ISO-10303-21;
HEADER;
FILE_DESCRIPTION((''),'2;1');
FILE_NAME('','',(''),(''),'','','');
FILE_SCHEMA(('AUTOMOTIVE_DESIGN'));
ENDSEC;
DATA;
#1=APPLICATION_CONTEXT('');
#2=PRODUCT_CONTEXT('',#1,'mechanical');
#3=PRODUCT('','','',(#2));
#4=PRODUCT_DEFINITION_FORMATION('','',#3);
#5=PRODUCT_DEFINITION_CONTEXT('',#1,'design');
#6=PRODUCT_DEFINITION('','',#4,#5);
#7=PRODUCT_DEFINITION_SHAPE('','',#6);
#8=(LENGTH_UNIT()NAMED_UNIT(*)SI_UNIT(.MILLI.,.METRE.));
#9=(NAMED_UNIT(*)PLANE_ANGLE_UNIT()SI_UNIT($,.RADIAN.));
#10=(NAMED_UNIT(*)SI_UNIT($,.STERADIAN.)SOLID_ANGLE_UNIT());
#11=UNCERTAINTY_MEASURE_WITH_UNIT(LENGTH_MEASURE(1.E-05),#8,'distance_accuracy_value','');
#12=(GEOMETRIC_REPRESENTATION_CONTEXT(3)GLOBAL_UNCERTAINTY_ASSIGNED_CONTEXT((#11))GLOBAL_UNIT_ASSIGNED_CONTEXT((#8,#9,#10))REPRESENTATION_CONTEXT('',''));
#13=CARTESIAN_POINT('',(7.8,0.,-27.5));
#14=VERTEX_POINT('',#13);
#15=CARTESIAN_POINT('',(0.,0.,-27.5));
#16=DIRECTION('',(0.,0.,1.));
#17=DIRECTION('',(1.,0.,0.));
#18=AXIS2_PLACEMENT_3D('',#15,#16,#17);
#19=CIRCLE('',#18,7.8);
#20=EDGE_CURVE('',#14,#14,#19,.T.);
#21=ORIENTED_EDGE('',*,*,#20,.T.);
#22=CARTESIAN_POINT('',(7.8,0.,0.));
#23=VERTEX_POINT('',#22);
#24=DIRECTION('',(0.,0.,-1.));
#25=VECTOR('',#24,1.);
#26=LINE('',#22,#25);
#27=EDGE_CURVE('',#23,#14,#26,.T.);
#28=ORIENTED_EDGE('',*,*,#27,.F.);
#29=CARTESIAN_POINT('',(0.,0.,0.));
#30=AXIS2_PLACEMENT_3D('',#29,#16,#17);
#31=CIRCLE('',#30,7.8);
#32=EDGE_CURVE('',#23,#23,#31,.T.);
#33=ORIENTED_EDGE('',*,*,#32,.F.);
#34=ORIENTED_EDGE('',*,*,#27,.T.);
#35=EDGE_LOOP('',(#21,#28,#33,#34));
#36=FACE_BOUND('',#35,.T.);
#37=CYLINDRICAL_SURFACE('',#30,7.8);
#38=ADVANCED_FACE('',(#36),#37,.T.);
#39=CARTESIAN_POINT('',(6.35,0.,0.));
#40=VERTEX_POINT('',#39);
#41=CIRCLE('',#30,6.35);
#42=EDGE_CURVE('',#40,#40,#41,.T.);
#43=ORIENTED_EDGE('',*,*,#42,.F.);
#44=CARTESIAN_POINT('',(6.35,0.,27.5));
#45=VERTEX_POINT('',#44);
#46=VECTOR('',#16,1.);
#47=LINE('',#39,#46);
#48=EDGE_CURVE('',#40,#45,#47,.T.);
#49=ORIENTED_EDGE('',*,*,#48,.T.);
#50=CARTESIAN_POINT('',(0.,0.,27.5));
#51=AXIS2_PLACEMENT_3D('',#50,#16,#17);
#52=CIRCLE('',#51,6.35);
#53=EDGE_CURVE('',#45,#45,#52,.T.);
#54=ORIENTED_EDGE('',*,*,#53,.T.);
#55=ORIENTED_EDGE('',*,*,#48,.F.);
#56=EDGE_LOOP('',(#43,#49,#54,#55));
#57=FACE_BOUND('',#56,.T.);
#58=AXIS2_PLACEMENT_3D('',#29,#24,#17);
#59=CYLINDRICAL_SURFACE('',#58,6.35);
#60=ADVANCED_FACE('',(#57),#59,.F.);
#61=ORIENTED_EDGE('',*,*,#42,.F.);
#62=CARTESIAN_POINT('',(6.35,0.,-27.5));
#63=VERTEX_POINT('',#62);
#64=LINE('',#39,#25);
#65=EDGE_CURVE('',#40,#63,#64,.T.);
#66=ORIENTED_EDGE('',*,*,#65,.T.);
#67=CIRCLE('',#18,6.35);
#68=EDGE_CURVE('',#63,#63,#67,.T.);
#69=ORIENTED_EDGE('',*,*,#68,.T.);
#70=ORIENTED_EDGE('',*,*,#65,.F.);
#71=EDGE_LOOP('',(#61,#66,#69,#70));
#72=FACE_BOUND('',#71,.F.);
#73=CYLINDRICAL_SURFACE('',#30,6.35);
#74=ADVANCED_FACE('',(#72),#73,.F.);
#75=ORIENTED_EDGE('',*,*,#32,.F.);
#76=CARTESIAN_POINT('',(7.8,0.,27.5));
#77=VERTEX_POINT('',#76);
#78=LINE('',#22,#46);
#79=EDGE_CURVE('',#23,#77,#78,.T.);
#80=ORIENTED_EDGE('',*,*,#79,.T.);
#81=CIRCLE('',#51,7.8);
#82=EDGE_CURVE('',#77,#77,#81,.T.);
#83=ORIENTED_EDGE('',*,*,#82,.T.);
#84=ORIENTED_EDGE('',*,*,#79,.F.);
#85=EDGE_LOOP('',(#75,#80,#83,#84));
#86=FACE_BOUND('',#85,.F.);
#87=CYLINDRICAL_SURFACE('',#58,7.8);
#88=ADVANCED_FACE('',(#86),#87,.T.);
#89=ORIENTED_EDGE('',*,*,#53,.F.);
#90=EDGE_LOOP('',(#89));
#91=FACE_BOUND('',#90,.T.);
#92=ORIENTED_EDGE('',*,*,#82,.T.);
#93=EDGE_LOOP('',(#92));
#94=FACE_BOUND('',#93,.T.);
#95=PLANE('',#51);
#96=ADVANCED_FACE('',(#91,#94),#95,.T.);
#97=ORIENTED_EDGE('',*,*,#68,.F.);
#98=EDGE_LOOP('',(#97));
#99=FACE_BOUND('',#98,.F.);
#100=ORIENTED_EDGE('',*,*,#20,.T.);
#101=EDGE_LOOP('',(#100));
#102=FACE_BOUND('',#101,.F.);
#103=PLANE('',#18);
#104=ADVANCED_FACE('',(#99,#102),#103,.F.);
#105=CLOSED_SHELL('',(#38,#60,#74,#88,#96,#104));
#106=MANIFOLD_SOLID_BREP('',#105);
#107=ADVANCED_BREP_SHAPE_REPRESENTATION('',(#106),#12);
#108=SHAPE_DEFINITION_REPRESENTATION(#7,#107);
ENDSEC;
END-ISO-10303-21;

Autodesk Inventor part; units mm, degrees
ref_plane "YZ Plane" through (0, 0, 0) normal (1, 0, 0) x (0, 1, 0)
ref_plane "XZ Plane" through (0, 0, 0) normal (0, 1, 0) x (-1, 0, 0)
ref_plane "XY Plane" through (0, 0, 0) normal (0, 0, 1) x (1, 0, 0)
sketch "Sketch1" plane through (0, 0, 0) normal (0, 0, 1) x (1, 0, 0)
  circle A0 centre (0, 0) radius 7.8
  circle A1 centre (0, 0) radius 6.35
  dimension "d0" = 15.6
  dimension "d1" = 12.7
extrude "Extrusion1" add sketch "Sketch1" along normal mid plane 55
properties part number "Tubo3" material "PVC, Unplasticized"
